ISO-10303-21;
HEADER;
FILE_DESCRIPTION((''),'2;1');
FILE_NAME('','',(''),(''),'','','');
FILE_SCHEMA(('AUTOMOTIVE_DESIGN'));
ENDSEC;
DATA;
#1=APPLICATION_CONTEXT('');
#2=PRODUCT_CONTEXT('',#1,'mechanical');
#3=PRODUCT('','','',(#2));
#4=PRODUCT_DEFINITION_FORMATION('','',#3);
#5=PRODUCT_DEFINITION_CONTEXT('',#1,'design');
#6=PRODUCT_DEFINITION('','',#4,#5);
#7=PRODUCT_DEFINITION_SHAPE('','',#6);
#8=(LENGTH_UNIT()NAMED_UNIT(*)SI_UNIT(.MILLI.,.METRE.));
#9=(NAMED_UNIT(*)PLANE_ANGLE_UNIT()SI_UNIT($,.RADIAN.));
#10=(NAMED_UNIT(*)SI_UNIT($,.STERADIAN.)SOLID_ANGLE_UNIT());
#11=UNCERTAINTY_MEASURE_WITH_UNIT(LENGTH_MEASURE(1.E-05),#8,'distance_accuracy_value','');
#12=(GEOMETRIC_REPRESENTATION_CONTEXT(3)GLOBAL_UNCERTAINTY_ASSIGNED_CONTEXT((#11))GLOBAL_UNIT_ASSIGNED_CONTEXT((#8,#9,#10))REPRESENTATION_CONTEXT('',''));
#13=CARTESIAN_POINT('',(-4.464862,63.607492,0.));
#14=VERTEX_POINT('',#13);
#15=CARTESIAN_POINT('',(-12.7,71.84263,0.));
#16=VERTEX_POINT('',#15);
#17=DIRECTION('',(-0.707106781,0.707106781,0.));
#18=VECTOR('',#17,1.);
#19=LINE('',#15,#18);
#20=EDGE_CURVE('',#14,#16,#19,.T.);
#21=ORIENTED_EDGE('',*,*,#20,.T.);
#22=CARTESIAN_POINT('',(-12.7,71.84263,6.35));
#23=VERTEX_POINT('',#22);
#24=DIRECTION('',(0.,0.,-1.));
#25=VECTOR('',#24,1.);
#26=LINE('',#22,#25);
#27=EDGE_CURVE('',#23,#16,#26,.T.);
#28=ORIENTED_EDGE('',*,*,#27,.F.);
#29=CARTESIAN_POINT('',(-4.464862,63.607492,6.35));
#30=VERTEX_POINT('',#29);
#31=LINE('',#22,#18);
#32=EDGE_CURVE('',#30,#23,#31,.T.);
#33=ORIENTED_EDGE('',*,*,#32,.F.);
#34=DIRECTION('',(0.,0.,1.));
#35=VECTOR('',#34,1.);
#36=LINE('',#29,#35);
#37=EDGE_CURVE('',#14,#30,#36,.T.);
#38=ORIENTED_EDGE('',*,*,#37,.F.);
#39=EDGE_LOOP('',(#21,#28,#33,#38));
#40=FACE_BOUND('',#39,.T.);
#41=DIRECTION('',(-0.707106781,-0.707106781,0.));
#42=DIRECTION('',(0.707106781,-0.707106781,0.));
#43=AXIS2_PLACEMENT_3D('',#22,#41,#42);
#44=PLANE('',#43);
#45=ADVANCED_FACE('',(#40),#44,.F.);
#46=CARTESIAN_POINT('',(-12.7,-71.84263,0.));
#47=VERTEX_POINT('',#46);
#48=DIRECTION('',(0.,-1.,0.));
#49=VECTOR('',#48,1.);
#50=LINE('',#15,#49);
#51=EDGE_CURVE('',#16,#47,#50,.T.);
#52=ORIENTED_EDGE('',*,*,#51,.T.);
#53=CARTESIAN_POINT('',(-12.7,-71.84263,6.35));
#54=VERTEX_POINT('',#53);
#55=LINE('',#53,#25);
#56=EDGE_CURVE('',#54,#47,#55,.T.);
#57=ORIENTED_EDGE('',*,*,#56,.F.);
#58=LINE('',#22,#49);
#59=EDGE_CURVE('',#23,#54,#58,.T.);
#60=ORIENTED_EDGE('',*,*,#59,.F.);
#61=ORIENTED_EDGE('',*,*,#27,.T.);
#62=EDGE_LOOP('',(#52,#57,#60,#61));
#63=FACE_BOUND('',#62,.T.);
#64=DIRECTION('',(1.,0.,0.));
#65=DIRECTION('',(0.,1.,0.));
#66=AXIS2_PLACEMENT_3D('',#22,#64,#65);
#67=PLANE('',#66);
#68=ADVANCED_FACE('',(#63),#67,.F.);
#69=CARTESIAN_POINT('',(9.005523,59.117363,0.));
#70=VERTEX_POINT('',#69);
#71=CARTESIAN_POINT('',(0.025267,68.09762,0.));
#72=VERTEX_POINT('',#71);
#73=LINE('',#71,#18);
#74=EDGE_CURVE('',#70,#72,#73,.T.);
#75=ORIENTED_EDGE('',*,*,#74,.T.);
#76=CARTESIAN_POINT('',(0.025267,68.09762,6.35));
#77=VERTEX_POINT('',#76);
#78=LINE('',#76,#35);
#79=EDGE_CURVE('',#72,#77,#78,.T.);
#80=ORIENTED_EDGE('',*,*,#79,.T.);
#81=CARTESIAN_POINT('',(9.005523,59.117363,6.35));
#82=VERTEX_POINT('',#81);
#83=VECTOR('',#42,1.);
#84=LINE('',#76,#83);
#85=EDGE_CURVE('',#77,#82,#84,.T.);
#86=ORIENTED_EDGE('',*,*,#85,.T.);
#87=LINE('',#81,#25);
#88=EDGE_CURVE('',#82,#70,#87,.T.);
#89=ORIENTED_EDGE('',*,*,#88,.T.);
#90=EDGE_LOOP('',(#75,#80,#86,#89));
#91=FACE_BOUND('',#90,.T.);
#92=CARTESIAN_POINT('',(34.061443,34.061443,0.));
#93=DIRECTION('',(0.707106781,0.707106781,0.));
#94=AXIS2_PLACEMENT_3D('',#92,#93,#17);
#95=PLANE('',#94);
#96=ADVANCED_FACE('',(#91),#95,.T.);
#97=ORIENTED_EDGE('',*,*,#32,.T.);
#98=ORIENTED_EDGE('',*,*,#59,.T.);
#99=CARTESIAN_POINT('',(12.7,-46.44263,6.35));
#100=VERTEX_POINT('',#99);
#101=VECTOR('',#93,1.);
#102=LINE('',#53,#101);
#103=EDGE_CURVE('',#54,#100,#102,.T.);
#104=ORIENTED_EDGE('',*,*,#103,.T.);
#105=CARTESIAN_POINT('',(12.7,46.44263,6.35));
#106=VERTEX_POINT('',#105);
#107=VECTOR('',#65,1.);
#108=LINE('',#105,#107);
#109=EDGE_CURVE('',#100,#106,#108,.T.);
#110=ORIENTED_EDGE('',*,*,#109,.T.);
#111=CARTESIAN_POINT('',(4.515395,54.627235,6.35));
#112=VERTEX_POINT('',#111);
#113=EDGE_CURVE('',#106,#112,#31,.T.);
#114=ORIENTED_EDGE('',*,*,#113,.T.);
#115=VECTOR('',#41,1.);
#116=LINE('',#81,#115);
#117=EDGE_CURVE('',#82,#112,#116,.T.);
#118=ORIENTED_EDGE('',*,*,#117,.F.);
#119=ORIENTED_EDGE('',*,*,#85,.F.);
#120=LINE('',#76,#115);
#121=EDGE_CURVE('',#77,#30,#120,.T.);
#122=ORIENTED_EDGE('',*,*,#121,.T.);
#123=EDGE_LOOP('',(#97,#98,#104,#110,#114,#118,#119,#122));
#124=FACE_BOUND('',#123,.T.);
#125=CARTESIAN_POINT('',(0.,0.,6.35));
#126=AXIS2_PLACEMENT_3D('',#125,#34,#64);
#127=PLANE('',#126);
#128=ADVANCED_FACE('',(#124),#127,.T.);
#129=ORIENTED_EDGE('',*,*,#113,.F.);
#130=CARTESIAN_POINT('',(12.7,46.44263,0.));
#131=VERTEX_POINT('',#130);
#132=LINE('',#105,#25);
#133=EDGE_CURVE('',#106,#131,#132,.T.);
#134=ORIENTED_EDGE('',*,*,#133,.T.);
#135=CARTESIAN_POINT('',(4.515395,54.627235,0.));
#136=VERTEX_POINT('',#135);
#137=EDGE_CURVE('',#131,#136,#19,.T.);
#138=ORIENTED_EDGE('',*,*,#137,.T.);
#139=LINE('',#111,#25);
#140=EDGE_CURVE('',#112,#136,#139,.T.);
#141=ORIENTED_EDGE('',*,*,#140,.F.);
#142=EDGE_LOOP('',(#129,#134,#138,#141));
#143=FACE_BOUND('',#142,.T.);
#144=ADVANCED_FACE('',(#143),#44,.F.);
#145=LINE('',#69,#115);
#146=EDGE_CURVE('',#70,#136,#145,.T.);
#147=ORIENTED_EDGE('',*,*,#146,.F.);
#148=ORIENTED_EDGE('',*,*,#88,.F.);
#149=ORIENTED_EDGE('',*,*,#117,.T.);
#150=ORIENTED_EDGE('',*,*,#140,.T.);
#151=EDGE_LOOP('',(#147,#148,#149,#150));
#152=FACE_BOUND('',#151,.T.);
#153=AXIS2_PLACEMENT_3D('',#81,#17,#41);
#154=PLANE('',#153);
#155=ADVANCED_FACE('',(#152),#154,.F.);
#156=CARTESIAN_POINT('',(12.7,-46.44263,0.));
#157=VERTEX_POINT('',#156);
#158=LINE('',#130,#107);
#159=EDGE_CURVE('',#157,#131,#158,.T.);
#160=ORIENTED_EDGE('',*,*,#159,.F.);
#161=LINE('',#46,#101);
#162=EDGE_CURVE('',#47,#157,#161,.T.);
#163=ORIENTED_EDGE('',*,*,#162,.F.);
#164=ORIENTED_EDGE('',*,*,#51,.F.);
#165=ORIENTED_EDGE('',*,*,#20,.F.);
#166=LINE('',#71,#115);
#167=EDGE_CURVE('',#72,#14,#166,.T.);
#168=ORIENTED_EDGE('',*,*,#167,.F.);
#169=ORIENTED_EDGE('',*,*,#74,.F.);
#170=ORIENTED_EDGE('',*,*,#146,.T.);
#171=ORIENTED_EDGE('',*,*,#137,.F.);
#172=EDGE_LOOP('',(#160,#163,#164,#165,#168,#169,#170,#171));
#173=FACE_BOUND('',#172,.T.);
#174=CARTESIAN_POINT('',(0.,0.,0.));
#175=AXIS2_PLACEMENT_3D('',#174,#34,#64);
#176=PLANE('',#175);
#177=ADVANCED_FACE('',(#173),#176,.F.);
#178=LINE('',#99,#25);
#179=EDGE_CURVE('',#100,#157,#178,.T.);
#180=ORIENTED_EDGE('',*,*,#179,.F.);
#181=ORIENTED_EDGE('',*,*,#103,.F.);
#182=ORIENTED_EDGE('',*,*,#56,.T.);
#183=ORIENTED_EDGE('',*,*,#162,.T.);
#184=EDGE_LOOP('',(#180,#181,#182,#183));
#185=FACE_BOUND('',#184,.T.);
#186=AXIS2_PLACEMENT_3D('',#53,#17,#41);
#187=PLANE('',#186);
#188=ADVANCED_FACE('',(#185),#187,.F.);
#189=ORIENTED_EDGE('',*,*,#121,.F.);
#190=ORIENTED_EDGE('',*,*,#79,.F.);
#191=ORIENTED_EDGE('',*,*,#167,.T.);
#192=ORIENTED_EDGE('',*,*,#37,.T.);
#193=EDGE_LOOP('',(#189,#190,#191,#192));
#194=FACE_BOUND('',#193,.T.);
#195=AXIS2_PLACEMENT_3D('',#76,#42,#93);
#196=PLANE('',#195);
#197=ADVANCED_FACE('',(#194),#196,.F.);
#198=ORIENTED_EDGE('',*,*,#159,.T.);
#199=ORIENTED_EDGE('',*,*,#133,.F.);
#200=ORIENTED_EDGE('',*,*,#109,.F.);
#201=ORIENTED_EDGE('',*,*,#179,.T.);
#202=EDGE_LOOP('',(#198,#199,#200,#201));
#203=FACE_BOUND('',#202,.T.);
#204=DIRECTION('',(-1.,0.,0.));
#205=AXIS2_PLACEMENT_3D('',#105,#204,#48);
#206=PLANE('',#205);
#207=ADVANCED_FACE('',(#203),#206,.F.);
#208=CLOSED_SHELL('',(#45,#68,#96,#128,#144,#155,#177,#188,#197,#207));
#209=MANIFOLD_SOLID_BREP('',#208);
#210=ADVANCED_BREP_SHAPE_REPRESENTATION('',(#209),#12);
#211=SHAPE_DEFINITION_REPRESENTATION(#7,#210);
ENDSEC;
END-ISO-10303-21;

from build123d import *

# Parameters (mm, degrees)
BOSS_EXTRU_1_DEPTH = 6.35
ESQUISSE2_W        = 6.35
ESQUISSE2_H        = 12.7
BOSS_EXTRU_2_DEPTH = 6.35


with BuildPart() as part:
    # Esquisse1 → Boss.-Extru.1 (new body)
    with BuildSketch(Plane.XY):
        Polygon((-12.7, -71.84263), (12.7, -46.44263), (12.7, 46.44263), (-12.7, 71.84263), align=None)
    extrude(amount=BOSS_EXTRU_1_DEPTH)

    # Esquisse2 → Boss.-Extru.2 (add)
    with BuildSketch(Plane(origin=(29.571315, 29.571315, 0), x_dir=(0, 0, -1), z_dir=(0.707106781186549, 0.7071067811865461, 0))):
        with Locations((-3.175, 41.784422488)):
            Rectangle(ESQUISSE2_W, ESQUISSE2_H)
    extrude(amount=BOSS_EXTRU_2_DEPTH)


solid = part.part
